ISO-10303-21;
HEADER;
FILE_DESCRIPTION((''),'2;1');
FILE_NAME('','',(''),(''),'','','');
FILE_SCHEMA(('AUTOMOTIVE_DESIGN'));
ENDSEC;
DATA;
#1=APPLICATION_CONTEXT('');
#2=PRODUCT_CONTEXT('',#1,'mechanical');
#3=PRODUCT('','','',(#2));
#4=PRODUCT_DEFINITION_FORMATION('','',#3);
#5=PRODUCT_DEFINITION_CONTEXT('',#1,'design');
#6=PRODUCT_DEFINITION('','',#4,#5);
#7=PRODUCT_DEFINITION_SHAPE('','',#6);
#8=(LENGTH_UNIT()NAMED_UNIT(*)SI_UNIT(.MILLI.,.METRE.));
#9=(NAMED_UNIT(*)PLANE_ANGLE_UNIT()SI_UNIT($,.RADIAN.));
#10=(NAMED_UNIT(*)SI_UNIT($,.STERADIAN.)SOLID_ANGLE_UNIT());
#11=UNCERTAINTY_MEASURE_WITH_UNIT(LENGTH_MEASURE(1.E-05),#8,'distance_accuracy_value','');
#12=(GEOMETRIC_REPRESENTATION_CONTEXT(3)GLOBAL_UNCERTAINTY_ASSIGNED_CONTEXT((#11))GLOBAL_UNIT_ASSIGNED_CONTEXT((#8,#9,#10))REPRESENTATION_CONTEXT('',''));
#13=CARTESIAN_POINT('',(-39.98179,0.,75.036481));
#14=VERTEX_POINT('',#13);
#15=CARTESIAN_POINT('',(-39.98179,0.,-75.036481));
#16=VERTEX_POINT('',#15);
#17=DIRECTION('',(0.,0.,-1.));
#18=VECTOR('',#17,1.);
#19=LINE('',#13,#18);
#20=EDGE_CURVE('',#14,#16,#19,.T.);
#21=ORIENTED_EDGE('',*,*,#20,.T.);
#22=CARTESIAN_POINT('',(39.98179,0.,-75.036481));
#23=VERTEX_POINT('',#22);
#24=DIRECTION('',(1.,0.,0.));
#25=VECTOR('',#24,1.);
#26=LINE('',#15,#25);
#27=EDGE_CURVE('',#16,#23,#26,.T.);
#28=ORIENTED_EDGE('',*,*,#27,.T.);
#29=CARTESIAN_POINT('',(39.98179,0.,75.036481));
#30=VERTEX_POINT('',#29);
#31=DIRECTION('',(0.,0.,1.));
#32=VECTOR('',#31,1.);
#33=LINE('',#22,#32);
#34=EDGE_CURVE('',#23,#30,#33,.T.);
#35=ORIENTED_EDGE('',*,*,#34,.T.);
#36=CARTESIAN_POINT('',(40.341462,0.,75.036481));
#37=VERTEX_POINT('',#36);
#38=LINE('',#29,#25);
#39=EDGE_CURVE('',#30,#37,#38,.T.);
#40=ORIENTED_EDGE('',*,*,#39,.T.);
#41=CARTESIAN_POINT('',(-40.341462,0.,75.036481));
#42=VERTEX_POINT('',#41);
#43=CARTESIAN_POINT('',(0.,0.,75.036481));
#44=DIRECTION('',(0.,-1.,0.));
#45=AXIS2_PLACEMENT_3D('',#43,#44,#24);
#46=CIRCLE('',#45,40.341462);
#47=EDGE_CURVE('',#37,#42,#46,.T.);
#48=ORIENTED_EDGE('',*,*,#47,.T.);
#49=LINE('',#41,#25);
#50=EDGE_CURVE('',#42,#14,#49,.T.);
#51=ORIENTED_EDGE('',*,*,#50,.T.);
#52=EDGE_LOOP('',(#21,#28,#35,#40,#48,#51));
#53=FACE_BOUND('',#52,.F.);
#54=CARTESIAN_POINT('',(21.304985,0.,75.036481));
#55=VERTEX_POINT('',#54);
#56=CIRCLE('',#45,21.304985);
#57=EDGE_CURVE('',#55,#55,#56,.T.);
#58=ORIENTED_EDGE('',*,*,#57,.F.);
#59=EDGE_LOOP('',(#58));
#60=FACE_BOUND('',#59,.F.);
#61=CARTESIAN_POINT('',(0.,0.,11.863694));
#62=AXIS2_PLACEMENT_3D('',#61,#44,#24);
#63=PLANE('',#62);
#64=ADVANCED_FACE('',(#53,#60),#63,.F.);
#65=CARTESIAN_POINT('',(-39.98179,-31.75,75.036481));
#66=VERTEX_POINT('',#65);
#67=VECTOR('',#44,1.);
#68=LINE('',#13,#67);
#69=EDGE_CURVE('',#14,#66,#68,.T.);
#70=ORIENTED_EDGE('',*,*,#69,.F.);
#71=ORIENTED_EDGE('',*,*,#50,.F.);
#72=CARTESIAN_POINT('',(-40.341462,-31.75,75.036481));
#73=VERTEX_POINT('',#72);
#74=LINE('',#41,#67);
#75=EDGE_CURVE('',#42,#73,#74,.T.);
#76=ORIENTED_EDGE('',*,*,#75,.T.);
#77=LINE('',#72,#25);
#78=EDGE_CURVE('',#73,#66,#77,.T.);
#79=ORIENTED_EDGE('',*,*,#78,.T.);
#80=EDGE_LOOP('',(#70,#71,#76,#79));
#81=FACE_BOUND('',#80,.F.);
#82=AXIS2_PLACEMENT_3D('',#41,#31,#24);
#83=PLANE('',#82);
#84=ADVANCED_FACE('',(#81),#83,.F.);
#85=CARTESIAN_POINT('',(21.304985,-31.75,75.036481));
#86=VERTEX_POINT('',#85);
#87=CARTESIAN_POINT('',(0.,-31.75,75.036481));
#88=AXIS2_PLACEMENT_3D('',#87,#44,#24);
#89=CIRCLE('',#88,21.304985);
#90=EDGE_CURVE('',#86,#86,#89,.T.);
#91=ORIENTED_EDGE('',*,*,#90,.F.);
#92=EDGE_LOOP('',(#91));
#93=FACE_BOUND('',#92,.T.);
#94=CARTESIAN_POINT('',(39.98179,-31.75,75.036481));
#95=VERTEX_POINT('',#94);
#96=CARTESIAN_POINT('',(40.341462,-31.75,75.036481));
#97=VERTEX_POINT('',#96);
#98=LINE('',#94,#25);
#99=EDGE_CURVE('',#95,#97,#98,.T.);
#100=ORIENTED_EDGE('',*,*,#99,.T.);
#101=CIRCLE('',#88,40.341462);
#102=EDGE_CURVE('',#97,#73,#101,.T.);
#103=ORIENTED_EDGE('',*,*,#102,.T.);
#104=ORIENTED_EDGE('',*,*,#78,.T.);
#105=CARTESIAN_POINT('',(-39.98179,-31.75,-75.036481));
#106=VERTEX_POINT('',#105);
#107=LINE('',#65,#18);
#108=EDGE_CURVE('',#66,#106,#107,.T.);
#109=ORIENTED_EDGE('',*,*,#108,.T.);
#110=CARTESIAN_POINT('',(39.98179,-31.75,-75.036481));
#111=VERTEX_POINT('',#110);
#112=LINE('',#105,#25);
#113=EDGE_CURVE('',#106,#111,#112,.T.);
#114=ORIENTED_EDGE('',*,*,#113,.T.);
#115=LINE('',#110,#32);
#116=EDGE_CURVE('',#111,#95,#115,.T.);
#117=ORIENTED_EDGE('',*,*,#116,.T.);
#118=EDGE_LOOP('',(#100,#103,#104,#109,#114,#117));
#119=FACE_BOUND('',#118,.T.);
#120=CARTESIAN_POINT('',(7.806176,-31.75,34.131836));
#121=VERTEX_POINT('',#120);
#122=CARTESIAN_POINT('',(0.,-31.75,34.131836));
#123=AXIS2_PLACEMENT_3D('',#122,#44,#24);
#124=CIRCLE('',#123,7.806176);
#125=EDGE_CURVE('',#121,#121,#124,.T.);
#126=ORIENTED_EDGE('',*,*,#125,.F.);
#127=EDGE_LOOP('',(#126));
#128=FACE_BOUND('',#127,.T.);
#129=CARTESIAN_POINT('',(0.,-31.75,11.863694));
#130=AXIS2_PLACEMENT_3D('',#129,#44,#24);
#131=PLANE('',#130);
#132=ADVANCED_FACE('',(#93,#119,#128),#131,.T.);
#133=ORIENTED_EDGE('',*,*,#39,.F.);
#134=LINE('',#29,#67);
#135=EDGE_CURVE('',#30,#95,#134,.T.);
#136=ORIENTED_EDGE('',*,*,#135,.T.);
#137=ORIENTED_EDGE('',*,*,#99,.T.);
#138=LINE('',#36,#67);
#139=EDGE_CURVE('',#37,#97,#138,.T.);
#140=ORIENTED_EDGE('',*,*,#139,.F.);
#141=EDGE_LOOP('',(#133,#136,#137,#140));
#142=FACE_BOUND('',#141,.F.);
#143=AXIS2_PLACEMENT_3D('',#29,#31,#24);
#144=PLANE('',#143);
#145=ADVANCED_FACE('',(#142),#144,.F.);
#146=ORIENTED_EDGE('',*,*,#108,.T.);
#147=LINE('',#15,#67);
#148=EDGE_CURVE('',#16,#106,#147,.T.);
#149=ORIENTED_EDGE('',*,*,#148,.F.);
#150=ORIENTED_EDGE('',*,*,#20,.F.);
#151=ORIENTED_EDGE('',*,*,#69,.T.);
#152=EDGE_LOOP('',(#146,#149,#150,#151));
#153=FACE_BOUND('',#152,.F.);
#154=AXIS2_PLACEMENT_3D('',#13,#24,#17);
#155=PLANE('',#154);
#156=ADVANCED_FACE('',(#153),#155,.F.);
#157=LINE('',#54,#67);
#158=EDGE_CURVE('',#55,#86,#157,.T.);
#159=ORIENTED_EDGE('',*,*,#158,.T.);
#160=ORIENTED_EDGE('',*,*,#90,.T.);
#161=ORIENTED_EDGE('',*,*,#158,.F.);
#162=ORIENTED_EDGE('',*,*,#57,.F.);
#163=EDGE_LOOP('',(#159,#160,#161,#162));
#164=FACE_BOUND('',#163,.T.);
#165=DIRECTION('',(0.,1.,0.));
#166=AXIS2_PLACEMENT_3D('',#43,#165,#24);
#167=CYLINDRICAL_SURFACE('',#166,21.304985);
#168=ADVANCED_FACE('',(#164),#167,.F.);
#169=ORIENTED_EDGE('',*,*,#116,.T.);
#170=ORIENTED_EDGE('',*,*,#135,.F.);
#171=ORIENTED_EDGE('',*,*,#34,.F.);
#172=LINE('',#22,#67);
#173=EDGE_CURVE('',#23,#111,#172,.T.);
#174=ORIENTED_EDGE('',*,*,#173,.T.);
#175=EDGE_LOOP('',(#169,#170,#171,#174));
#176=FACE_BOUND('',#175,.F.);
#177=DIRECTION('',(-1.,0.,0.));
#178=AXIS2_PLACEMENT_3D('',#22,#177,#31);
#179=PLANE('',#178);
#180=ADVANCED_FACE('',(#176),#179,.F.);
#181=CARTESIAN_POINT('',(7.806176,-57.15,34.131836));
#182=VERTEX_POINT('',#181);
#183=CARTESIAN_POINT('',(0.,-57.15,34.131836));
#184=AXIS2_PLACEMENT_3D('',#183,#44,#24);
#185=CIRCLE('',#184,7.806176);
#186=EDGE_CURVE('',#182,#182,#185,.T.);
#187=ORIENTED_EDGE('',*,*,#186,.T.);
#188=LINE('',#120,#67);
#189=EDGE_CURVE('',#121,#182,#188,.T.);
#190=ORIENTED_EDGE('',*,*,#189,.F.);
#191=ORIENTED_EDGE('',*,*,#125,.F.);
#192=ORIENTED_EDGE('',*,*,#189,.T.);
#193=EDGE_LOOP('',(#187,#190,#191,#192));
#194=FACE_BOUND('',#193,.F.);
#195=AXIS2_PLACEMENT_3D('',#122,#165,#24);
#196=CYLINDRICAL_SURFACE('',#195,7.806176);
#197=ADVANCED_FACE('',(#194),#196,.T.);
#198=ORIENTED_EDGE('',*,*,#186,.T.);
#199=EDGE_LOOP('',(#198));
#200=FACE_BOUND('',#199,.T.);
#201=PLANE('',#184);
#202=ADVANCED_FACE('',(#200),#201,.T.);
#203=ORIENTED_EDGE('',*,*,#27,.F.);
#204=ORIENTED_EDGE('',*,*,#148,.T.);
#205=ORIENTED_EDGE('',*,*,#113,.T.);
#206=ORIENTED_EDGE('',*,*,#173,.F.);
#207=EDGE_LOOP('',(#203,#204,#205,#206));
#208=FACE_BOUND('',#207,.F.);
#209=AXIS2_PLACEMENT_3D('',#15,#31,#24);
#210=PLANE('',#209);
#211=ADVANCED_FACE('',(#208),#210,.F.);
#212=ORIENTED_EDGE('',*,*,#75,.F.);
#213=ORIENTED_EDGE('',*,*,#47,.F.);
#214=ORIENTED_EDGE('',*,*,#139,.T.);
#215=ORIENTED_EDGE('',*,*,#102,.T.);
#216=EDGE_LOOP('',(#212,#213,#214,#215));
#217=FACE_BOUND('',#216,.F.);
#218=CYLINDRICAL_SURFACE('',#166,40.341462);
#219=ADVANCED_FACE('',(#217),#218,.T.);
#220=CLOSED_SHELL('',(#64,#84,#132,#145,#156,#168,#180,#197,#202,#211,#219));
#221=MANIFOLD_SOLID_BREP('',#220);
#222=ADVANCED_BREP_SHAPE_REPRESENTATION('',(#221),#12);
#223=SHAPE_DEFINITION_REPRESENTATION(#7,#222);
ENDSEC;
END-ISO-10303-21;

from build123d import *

# Parameters (mm, degrees)
F0_R     = 21.304985
F1_DEPTH = 31.75
F2_R     = 7.806176
F3_DEPTH = 25.4


with BuildPart() as f1:
    # F0 (on Front) → F1 (new body)
    with BuildSketch(Plane.XZ):
        with BuildLine():
            Line((-39.98179, -75.036481), (39.98179, -75.036481))
            Line((39.98179, -75.036481), (39.98179, 75.036481))
            Line((39.98179, 75.036481), (40.341462, 75.036481))
            ThreePointArc((40.341462, 75.036481), (0, 115.377943), (-40.341462, 75.036481))
            Line((-40.341462, 75.036481), (-39.98179, 75.036481))
            Line((-39.98179, 75.036481), (-39.98179, -75.036481))
        make_face()
        with Locations((0, 75.036481)):
            Circle(F0_R, mode=Mode.SUBTRACT)
    extrude(amount=F1_DEPTH)

    # F2 (on face) → F3 (join)
    with BuildSketch(Plane.XZ.offset(31.75)):
        with Locations((0, 34.131836)):
            Circle(F2_R)
    extrude(amount=F3_DEPTH)


solid = f1.part
